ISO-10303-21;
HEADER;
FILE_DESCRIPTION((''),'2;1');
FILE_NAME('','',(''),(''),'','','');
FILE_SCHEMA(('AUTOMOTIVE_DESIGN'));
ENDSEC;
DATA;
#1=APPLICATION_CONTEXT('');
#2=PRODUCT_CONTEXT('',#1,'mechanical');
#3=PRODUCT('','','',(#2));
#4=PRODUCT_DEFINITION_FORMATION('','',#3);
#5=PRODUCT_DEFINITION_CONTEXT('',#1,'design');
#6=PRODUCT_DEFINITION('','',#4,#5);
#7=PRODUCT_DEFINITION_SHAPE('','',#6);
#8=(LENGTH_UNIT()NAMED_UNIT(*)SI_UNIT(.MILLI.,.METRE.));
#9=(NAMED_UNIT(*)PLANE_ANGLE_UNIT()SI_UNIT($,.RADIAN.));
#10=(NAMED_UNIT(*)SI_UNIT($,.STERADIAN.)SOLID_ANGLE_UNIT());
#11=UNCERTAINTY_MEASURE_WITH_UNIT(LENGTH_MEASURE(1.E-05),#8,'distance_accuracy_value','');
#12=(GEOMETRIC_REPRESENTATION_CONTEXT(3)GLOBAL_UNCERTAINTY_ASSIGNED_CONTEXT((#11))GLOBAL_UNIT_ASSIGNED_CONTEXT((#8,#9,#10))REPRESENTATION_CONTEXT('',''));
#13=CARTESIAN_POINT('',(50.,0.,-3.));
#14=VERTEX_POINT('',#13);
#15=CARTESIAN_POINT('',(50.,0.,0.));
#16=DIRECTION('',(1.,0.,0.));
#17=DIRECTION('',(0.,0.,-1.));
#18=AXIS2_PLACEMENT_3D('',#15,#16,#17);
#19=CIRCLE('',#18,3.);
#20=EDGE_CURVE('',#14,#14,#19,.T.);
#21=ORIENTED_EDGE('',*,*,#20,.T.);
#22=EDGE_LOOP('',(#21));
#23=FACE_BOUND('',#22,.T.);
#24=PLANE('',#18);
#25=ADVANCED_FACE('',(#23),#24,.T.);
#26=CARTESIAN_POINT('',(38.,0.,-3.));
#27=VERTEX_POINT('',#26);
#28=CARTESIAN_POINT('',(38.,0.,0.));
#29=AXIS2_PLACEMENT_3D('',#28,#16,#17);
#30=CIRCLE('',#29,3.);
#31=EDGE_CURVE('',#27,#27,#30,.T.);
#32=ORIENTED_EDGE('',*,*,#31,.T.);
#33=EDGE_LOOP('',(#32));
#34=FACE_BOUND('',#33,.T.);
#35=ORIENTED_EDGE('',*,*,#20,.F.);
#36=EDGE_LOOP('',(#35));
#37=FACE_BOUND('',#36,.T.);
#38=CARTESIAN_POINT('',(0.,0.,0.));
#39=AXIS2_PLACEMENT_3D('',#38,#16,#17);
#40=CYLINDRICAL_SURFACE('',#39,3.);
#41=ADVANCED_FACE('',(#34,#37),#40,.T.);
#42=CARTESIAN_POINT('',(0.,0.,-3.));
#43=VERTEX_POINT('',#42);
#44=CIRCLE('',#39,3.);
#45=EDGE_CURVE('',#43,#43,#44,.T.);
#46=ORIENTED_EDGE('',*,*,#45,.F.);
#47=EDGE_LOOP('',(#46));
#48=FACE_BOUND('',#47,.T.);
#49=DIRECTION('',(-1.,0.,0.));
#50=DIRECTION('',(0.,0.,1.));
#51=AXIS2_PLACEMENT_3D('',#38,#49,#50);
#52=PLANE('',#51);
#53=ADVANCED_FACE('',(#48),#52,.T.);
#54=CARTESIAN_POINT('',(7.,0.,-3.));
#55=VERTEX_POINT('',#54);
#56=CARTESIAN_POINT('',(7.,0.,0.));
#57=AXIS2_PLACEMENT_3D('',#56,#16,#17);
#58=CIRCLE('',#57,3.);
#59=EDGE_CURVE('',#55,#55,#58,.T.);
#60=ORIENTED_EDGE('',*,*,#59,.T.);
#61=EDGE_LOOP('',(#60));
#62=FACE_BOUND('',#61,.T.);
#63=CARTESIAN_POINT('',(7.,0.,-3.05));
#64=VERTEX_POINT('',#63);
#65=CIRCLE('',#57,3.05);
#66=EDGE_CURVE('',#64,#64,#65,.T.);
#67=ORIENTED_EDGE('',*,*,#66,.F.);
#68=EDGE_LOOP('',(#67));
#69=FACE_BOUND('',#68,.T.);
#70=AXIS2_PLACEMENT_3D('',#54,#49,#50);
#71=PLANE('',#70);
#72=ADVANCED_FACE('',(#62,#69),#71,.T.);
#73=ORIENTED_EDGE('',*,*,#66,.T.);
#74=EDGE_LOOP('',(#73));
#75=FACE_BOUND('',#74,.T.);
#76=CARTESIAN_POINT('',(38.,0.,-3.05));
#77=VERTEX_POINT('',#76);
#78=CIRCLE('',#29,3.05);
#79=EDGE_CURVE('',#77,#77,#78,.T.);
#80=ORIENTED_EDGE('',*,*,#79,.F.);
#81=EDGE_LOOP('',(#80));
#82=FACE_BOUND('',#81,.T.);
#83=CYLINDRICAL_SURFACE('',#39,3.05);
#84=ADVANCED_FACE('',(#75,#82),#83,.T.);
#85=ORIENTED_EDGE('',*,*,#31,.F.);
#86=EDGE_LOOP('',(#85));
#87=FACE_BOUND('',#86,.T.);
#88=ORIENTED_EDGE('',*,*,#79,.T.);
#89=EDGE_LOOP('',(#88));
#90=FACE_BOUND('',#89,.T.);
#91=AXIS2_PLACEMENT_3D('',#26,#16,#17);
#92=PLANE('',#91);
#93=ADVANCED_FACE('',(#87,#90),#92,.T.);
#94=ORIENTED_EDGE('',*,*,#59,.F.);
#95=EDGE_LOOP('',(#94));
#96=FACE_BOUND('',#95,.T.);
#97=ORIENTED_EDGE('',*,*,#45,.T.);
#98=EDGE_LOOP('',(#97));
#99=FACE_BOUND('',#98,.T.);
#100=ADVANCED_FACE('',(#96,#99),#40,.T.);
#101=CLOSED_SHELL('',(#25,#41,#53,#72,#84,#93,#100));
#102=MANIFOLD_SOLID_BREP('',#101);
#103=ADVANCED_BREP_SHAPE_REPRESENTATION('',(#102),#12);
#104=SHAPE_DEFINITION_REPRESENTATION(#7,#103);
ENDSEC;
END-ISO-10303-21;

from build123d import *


with BuildPart() as part:
    # Sketch1 → Revolve1 (revolve)
    with BuildSketch(Plane(origin=(0, 0, 0), x_dir=(1, 0, 0), z_dir=(0, 1, 0))):
        Polygon((0, 0), (7, 0), (38, 0), (50, 0), (50, 3), (38, 3), (38, 3.05), (7, 3.05), (7, 3), (0, 3), align=None)
    revolve(axis=Axis((0, 0, 0), (-1, 0, 0)))


solid = part.part
